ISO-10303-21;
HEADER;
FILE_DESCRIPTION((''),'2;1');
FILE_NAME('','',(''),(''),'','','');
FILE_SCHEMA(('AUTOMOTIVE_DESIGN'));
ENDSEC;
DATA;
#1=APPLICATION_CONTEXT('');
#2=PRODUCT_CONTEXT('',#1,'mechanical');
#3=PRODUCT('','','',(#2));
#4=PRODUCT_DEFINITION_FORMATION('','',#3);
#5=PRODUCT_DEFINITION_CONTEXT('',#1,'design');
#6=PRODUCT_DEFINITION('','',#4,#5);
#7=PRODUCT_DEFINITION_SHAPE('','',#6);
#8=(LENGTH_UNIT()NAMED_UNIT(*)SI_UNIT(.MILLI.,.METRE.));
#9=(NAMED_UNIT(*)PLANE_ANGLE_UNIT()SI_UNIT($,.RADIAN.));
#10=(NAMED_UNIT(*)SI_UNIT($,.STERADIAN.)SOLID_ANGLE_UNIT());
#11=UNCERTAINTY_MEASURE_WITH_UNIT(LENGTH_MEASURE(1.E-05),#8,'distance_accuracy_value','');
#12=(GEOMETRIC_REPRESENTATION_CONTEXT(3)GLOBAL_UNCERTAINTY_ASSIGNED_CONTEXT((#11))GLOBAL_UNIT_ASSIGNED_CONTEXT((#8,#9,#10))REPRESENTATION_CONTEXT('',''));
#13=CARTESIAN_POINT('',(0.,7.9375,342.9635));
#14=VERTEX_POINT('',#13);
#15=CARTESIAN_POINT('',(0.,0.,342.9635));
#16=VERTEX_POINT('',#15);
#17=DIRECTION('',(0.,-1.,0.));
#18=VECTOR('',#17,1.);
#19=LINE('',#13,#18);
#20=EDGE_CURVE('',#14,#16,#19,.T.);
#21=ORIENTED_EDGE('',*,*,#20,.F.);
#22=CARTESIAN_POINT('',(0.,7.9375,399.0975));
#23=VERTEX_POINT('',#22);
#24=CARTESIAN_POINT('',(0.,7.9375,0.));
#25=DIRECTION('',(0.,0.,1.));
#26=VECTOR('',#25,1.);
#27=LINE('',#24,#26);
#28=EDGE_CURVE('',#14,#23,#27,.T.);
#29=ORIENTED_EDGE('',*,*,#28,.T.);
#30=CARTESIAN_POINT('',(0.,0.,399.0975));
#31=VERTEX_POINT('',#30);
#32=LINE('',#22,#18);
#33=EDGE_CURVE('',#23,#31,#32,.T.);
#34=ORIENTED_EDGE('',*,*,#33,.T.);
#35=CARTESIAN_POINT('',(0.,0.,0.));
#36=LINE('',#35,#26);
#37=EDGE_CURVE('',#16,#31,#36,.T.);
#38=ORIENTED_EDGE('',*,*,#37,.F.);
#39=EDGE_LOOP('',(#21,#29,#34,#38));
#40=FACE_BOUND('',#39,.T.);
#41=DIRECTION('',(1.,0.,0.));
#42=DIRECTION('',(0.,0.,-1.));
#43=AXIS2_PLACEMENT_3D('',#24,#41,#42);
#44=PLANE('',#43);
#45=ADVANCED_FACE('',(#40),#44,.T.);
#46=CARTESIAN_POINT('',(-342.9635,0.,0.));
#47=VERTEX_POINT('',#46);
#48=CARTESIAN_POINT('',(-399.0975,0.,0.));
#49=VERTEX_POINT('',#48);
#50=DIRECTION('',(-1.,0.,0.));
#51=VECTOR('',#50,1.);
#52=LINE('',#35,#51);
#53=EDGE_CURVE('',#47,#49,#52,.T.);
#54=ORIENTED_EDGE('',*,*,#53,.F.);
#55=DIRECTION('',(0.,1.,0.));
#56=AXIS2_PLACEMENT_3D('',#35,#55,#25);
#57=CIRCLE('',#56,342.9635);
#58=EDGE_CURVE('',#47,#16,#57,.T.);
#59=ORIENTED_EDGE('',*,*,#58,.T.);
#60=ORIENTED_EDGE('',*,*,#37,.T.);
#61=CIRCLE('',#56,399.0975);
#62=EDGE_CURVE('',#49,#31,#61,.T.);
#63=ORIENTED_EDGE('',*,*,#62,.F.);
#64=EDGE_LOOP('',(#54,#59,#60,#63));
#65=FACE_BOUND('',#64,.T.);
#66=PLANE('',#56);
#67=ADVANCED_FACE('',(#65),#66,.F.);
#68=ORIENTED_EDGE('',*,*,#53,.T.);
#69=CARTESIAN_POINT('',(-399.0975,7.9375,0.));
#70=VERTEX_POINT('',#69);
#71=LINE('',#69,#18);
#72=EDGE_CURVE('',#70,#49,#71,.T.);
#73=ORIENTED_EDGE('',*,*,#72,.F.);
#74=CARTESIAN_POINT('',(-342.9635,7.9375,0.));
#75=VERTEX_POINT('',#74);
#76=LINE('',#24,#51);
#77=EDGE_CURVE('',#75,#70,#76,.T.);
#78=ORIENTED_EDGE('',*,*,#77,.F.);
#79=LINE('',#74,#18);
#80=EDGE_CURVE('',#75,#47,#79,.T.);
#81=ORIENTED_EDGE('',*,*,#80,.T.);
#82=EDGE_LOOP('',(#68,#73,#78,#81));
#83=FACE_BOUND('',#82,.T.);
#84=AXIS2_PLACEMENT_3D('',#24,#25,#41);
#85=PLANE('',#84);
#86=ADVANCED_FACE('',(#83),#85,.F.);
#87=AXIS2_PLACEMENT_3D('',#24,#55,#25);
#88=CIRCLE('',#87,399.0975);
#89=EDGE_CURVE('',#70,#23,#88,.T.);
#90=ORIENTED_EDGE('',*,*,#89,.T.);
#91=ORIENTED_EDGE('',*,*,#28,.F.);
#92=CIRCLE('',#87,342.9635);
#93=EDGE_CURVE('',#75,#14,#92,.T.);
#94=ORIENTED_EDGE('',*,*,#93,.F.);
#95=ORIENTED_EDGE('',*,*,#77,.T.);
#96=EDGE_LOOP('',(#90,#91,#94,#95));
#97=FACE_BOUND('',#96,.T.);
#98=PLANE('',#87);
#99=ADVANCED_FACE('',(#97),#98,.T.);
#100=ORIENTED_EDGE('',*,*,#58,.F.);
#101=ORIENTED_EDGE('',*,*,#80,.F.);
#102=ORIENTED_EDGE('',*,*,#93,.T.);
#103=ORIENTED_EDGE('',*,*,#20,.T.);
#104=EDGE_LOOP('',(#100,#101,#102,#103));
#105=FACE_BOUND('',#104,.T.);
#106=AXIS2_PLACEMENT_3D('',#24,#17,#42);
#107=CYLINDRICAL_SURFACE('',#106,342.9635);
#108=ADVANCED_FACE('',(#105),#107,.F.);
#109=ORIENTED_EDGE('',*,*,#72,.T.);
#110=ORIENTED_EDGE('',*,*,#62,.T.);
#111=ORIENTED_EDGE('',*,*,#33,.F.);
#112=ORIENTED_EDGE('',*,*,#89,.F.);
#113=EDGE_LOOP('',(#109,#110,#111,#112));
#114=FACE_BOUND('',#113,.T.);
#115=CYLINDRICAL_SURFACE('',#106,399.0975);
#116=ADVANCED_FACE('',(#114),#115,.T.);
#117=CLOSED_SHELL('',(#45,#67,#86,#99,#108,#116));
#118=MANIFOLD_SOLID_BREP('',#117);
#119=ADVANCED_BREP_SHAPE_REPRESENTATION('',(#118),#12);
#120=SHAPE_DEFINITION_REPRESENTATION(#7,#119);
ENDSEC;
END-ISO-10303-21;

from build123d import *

# Parameters (mm, degrees)
BOSS_EXTRUDE1_DEPTH = 7.9375


with BuildPart() as part:
    # Sketch1 → Boss-Extrude1 (new body)
    with BuildSketch(Plane(origin=(0, 0, 0), x_dir=(1, 0, 0), z_dir=(0, 1, 0))):
        with BuildLine():
            Line((0, -399.0975), (0, -342.9635))
            ThreePointArc((0, -342.9635), (-242.511816549, -242.511816549), (-342.9635, 0))
            Line((-342.9635, 0), (-399.0975, 0))
            ThreePointArc((-399.0975, 0), (-282.204548605, -282.204548605), (0, -399.0975))
        make_face()
    extrude(amount=BOSS_EXTRUDE1_DEPTH)


solid = part.part
